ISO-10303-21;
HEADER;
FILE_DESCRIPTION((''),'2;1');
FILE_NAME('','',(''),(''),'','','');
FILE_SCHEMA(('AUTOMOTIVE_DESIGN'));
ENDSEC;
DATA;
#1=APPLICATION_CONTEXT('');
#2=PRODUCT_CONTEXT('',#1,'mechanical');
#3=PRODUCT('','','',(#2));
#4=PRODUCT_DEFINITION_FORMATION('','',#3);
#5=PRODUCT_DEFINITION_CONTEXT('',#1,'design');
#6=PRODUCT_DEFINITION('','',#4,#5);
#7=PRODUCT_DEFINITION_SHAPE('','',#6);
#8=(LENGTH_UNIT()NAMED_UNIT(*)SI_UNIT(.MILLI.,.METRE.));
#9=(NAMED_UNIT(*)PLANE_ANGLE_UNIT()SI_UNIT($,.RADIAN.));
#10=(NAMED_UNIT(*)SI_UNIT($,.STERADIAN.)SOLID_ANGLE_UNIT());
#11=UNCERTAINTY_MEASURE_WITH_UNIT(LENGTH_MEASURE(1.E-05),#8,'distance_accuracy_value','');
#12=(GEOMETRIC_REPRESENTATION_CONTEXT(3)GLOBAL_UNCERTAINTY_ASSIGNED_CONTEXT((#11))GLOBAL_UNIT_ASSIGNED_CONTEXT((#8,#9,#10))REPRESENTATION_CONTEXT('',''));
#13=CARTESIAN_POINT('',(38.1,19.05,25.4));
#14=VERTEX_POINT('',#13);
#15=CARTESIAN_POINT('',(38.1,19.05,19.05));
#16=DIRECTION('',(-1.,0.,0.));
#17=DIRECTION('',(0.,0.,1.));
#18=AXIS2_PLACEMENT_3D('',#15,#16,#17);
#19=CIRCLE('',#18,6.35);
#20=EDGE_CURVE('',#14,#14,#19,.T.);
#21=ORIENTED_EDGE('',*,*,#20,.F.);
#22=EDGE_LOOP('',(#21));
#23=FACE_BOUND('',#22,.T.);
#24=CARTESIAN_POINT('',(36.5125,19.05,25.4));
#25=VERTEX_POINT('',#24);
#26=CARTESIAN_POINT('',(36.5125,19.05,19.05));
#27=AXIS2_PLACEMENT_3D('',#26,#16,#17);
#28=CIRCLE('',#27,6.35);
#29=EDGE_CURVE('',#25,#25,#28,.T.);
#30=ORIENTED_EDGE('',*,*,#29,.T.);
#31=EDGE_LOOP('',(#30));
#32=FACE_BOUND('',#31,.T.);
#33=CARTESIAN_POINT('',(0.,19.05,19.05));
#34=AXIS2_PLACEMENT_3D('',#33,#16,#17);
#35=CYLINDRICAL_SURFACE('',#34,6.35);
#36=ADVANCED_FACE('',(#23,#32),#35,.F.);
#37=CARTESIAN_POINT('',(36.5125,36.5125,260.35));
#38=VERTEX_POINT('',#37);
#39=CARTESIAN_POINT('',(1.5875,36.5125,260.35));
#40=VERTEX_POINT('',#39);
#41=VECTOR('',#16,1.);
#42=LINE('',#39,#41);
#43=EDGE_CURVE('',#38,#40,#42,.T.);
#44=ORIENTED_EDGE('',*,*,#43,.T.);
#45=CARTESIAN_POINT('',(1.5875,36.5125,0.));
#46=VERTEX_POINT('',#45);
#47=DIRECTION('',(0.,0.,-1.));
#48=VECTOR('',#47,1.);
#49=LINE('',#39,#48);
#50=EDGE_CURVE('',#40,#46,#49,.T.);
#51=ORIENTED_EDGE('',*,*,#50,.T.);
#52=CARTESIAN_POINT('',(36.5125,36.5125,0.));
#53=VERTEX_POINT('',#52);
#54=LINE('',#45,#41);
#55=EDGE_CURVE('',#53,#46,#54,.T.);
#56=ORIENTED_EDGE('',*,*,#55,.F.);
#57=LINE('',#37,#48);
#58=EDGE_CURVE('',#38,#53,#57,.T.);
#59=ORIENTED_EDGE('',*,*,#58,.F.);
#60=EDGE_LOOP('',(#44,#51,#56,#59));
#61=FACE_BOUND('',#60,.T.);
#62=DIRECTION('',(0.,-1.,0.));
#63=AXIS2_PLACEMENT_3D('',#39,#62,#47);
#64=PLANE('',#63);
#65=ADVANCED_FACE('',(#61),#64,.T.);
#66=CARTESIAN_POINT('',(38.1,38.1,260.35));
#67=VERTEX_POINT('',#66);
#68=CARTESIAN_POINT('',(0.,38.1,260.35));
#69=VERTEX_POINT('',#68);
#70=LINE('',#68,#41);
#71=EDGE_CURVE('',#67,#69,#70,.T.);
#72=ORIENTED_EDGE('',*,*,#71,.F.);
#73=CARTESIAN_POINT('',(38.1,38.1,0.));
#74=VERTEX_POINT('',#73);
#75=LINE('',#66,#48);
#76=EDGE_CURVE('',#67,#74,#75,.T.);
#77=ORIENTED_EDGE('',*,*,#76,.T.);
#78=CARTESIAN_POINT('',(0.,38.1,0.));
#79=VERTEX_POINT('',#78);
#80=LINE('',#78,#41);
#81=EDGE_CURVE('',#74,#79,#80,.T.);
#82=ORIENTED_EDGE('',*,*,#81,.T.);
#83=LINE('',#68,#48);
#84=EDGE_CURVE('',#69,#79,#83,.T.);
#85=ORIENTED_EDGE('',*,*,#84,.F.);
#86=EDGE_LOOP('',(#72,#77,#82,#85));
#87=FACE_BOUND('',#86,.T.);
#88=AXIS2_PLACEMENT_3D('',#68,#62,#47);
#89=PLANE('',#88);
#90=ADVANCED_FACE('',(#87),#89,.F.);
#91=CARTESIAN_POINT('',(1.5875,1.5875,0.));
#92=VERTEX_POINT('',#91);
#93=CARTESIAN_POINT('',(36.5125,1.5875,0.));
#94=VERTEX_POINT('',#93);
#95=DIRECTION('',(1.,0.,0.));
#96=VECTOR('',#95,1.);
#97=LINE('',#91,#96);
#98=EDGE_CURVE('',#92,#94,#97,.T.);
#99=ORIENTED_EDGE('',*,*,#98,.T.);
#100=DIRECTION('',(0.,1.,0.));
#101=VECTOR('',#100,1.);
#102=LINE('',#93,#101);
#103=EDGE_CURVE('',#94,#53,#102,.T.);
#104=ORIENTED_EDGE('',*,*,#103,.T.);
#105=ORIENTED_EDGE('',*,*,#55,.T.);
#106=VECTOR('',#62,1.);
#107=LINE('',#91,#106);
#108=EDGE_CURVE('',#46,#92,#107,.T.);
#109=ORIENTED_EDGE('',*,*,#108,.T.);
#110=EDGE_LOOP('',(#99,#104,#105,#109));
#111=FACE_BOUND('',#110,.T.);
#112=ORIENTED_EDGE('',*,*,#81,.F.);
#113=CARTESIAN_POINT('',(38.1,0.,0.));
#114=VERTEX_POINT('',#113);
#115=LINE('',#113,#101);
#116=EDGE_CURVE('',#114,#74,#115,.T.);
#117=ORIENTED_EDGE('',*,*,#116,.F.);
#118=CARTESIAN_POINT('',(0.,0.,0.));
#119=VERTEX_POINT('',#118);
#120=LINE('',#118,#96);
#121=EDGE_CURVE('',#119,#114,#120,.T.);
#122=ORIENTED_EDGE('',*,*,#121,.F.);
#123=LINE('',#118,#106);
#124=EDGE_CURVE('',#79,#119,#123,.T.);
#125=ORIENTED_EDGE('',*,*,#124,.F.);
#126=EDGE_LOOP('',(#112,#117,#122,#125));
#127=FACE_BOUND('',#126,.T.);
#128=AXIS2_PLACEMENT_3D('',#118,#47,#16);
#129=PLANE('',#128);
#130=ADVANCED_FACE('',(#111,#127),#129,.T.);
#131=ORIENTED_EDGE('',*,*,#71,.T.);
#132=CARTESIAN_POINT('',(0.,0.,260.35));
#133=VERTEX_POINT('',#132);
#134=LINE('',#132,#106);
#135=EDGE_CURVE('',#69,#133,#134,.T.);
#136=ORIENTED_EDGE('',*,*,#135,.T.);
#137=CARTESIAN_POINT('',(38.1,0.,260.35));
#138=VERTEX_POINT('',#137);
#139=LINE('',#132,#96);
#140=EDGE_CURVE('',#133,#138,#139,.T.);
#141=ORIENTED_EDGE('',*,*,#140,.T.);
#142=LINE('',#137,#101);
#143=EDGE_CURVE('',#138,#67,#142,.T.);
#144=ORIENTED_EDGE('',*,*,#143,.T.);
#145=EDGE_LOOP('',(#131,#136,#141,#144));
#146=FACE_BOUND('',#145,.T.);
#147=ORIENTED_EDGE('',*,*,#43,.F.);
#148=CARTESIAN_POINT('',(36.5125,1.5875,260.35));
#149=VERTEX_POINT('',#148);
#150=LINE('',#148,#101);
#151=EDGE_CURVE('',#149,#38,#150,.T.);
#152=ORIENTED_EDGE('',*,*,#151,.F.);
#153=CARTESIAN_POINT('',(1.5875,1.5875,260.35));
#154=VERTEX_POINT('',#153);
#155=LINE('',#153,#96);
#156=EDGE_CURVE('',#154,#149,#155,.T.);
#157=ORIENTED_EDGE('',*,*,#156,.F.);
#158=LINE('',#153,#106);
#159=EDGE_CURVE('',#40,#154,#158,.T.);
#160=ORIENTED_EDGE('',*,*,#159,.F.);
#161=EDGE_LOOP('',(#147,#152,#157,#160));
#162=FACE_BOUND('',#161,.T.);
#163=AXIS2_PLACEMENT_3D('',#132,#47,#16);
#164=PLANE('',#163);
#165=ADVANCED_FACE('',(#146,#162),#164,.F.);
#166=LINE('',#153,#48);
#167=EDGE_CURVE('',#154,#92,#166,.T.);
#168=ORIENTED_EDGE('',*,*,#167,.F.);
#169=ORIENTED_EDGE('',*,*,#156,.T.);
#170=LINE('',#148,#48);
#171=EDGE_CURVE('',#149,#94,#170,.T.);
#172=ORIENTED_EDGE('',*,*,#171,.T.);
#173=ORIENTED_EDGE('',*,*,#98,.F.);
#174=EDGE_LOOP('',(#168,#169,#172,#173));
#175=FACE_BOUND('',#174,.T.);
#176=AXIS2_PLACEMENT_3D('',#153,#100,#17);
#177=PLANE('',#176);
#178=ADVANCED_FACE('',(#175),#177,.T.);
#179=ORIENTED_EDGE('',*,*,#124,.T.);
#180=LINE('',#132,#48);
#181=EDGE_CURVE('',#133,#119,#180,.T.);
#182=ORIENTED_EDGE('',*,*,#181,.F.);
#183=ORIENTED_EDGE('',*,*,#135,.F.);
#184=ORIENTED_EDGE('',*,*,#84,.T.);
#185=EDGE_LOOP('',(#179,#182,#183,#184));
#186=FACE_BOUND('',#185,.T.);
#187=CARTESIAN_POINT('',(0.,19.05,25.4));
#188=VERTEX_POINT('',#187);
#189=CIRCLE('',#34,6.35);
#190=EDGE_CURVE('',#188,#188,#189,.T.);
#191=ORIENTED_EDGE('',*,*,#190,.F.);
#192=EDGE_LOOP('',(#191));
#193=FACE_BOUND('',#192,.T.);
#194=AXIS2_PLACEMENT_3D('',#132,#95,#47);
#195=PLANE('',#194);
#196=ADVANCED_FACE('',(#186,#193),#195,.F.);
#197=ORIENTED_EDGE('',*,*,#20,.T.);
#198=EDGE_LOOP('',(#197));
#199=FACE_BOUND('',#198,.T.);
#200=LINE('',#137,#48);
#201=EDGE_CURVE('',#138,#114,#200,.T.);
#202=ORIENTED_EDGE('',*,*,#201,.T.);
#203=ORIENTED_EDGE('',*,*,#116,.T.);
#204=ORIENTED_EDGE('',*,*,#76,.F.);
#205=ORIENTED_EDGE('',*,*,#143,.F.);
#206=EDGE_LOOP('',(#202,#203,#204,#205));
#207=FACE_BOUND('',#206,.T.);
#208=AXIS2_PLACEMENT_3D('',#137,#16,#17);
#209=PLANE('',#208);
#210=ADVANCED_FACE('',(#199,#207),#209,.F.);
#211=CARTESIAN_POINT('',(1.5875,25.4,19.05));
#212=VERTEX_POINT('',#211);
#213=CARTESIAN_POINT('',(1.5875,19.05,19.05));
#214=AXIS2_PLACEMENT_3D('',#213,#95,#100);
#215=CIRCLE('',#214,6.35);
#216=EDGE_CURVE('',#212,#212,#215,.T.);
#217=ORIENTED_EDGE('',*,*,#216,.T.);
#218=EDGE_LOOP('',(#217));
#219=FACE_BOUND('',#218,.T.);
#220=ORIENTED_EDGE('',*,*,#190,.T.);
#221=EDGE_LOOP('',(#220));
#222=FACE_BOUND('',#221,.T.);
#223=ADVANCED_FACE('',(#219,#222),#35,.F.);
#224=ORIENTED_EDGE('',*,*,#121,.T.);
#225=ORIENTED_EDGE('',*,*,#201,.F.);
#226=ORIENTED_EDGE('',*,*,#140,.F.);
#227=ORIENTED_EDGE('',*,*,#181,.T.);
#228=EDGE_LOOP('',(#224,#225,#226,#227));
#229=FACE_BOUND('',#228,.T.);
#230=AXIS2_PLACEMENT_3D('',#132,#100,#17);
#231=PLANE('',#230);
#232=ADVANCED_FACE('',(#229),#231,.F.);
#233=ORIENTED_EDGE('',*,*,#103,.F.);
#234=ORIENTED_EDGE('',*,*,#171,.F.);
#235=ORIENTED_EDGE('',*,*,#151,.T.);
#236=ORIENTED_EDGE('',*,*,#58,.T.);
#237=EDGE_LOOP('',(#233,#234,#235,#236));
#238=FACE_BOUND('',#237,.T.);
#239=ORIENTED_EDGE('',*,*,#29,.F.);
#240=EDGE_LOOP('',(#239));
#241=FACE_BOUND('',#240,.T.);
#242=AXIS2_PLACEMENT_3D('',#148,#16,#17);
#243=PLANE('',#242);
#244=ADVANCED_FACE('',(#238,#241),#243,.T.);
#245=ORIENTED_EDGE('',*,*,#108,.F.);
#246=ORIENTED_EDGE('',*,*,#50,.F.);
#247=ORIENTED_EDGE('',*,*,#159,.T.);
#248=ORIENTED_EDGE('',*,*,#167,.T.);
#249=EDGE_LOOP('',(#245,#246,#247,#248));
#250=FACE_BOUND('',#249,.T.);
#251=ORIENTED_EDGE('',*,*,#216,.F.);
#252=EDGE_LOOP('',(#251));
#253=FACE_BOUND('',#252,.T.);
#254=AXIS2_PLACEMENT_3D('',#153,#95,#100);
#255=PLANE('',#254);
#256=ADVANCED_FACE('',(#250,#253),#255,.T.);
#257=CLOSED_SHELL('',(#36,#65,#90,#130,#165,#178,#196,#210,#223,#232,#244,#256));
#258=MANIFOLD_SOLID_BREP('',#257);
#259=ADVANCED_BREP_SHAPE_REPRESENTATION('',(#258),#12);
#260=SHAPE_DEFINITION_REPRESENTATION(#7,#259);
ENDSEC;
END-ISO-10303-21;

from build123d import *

# Parameters (mm, degrees)
SKETCH2_W                  = 38.1
SKETCH2_H                  = 38.1
SKETCH2_W_2                = 34.925
SKETCH2_H_2                = 34.925
BOSS_EXTRUDE1_DEPTH        = 260.35
F_1_2_0_5_DIAMETER_HOLE1_D = 12.7


with BuildPart() as part:
    # Sketch2 → Boss-Extrude1 (new body)
    with BuildSketch(Plane.XY):
        with Locations((19.05, 19.05)):
            Rectangle(SKETCH2_W, SKETCH2_H)
        with Locations((19.05, 19.05)):
            Rectangle(SKETCH2_W_2, SKETCH2_H_2, mode=Mode.SUBTRACT)
    extrude(amount=BOSS_EXTRUDE1_DEPTH)

    # 1/2 (0.5) Diameter Hole1 (through all)
    with Locations(Plane.ZY):
        with Locations((19.05, 19.05)):
            Hole(F_1_2_0_5_DIAMETER_HOLE1_D / 2)


solid = part.part
